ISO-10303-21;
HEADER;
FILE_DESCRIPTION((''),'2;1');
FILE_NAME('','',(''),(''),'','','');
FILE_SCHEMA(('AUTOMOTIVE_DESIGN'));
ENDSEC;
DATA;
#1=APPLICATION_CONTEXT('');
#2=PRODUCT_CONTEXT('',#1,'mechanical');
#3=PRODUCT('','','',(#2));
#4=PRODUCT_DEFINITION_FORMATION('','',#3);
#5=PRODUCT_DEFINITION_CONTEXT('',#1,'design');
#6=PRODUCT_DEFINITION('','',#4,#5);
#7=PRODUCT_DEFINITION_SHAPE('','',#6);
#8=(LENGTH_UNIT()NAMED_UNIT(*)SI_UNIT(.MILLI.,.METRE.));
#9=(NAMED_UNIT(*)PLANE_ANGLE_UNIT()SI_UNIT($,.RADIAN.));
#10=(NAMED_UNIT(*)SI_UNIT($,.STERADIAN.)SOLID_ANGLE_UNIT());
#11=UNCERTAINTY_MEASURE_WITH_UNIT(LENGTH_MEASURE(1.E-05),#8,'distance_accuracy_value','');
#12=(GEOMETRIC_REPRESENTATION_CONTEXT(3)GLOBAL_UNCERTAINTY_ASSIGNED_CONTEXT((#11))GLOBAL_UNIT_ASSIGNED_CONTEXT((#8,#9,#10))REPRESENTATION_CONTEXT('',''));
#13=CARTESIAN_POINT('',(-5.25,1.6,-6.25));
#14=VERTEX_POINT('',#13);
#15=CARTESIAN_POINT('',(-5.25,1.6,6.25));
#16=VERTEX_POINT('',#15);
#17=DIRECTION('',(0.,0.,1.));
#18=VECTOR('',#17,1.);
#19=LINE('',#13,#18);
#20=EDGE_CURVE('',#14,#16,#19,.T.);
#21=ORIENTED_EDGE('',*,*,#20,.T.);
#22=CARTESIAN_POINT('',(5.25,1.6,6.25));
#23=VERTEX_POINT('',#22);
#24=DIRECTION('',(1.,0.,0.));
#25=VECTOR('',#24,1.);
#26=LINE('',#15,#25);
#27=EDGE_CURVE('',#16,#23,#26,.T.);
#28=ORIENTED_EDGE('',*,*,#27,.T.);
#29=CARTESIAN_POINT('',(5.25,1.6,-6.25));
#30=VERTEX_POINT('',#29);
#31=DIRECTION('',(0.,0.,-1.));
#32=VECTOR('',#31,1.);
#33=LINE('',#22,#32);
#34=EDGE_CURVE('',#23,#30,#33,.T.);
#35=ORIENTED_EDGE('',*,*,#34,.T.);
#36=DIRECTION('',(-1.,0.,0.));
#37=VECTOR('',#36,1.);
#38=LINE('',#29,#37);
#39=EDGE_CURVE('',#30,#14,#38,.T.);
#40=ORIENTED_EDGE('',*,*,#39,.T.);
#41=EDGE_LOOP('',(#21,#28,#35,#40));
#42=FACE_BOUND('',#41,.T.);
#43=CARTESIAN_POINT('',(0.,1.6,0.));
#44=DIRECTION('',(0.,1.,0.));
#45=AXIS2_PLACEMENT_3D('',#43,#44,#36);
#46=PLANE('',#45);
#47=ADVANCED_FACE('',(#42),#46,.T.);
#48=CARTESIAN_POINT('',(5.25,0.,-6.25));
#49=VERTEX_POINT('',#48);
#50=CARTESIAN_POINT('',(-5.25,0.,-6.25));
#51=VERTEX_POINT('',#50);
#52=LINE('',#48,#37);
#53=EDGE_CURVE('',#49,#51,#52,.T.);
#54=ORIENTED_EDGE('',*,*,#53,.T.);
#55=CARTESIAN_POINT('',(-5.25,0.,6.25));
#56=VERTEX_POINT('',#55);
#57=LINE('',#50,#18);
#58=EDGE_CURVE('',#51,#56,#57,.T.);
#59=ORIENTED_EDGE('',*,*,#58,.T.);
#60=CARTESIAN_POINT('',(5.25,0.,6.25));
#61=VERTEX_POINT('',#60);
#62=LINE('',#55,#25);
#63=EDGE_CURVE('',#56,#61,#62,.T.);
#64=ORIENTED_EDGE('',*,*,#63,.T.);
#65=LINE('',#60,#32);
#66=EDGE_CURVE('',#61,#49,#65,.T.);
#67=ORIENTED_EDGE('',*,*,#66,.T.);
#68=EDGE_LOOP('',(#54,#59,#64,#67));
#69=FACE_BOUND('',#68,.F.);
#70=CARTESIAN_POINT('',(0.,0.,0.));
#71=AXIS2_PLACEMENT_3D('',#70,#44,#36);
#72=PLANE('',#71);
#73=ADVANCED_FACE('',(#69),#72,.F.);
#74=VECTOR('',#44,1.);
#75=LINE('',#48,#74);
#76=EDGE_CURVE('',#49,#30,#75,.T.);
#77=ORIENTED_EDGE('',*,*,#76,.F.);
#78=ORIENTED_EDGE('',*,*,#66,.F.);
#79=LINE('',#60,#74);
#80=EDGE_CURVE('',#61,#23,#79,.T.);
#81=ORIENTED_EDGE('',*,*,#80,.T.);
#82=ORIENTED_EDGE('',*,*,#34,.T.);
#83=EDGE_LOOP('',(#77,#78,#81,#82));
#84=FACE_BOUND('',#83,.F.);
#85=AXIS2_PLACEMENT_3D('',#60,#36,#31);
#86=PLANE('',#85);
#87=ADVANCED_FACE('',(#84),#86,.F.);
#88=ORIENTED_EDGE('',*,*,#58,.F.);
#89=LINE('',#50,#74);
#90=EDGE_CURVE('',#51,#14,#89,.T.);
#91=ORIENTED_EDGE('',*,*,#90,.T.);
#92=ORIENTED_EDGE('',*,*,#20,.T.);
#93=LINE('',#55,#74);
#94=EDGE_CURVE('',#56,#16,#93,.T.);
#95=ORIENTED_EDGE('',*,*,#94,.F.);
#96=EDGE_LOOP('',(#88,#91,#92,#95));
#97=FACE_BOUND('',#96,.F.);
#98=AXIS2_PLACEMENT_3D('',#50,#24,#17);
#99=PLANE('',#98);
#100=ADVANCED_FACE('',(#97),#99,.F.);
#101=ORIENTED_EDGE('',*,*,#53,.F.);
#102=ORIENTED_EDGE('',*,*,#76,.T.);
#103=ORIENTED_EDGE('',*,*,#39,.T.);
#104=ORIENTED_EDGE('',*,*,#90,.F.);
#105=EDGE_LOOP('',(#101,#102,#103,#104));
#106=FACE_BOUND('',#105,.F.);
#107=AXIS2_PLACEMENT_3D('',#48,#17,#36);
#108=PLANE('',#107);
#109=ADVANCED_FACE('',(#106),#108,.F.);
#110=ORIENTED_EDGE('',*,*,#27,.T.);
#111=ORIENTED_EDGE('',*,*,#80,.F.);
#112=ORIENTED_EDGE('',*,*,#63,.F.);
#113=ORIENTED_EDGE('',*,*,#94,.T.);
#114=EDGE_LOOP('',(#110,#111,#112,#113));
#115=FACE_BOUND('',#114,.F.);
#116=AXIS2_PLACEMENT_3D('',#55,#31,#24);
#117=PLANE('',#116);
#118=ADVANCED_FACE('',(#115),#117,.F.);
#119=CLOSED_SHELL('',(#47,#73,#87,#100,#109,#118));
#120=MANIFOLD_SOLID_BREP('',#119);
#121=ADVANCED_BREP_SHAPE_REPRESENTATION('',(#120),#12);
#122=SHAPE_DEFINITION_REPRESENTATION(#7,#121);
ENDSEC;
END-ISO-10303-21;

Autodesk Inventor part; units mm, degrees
ref_plane "YZ Plane" through (0, 0, 0) normal (1, 0, 0) x (0, 1, 0)
ref_plane "XZ Plane" through (0, 0, 0) normal (0, 1, 0) x (-1, 0, 0)
ref_plane "XY Plane" through (0, 0, 0) normal (0, 0, 1) x (1, 0, 0)
sketch "Sketch1" plane through (0, 0, 0) normal (0, 1, 0) x (-1, 0, 0)
  line L0 (-5.25, -6.25) -> (5.25, -6.25)
  line L1 (5.25, -6.25) -> (5.25, 6.25)
  line L2 (5.25, 6.25) -> (-5.25, 6.25)
  line L3 (-5.25, 6.25) -> (-5.25, -6.25)
  line L4 (-5.25, -6.25) -> (5.25, 6.25) construction
  line L5 (5.25, -6.25) -> (-5.25, 6.25) construction
  point P0 (0, 0)
  dimension "d0" = 10.5
  dimension "d1" = 12.5
extrude "Extrusion1" add sketch "Sketch1" along normal blind 1.6
properties part number "StartModuleBoard"
